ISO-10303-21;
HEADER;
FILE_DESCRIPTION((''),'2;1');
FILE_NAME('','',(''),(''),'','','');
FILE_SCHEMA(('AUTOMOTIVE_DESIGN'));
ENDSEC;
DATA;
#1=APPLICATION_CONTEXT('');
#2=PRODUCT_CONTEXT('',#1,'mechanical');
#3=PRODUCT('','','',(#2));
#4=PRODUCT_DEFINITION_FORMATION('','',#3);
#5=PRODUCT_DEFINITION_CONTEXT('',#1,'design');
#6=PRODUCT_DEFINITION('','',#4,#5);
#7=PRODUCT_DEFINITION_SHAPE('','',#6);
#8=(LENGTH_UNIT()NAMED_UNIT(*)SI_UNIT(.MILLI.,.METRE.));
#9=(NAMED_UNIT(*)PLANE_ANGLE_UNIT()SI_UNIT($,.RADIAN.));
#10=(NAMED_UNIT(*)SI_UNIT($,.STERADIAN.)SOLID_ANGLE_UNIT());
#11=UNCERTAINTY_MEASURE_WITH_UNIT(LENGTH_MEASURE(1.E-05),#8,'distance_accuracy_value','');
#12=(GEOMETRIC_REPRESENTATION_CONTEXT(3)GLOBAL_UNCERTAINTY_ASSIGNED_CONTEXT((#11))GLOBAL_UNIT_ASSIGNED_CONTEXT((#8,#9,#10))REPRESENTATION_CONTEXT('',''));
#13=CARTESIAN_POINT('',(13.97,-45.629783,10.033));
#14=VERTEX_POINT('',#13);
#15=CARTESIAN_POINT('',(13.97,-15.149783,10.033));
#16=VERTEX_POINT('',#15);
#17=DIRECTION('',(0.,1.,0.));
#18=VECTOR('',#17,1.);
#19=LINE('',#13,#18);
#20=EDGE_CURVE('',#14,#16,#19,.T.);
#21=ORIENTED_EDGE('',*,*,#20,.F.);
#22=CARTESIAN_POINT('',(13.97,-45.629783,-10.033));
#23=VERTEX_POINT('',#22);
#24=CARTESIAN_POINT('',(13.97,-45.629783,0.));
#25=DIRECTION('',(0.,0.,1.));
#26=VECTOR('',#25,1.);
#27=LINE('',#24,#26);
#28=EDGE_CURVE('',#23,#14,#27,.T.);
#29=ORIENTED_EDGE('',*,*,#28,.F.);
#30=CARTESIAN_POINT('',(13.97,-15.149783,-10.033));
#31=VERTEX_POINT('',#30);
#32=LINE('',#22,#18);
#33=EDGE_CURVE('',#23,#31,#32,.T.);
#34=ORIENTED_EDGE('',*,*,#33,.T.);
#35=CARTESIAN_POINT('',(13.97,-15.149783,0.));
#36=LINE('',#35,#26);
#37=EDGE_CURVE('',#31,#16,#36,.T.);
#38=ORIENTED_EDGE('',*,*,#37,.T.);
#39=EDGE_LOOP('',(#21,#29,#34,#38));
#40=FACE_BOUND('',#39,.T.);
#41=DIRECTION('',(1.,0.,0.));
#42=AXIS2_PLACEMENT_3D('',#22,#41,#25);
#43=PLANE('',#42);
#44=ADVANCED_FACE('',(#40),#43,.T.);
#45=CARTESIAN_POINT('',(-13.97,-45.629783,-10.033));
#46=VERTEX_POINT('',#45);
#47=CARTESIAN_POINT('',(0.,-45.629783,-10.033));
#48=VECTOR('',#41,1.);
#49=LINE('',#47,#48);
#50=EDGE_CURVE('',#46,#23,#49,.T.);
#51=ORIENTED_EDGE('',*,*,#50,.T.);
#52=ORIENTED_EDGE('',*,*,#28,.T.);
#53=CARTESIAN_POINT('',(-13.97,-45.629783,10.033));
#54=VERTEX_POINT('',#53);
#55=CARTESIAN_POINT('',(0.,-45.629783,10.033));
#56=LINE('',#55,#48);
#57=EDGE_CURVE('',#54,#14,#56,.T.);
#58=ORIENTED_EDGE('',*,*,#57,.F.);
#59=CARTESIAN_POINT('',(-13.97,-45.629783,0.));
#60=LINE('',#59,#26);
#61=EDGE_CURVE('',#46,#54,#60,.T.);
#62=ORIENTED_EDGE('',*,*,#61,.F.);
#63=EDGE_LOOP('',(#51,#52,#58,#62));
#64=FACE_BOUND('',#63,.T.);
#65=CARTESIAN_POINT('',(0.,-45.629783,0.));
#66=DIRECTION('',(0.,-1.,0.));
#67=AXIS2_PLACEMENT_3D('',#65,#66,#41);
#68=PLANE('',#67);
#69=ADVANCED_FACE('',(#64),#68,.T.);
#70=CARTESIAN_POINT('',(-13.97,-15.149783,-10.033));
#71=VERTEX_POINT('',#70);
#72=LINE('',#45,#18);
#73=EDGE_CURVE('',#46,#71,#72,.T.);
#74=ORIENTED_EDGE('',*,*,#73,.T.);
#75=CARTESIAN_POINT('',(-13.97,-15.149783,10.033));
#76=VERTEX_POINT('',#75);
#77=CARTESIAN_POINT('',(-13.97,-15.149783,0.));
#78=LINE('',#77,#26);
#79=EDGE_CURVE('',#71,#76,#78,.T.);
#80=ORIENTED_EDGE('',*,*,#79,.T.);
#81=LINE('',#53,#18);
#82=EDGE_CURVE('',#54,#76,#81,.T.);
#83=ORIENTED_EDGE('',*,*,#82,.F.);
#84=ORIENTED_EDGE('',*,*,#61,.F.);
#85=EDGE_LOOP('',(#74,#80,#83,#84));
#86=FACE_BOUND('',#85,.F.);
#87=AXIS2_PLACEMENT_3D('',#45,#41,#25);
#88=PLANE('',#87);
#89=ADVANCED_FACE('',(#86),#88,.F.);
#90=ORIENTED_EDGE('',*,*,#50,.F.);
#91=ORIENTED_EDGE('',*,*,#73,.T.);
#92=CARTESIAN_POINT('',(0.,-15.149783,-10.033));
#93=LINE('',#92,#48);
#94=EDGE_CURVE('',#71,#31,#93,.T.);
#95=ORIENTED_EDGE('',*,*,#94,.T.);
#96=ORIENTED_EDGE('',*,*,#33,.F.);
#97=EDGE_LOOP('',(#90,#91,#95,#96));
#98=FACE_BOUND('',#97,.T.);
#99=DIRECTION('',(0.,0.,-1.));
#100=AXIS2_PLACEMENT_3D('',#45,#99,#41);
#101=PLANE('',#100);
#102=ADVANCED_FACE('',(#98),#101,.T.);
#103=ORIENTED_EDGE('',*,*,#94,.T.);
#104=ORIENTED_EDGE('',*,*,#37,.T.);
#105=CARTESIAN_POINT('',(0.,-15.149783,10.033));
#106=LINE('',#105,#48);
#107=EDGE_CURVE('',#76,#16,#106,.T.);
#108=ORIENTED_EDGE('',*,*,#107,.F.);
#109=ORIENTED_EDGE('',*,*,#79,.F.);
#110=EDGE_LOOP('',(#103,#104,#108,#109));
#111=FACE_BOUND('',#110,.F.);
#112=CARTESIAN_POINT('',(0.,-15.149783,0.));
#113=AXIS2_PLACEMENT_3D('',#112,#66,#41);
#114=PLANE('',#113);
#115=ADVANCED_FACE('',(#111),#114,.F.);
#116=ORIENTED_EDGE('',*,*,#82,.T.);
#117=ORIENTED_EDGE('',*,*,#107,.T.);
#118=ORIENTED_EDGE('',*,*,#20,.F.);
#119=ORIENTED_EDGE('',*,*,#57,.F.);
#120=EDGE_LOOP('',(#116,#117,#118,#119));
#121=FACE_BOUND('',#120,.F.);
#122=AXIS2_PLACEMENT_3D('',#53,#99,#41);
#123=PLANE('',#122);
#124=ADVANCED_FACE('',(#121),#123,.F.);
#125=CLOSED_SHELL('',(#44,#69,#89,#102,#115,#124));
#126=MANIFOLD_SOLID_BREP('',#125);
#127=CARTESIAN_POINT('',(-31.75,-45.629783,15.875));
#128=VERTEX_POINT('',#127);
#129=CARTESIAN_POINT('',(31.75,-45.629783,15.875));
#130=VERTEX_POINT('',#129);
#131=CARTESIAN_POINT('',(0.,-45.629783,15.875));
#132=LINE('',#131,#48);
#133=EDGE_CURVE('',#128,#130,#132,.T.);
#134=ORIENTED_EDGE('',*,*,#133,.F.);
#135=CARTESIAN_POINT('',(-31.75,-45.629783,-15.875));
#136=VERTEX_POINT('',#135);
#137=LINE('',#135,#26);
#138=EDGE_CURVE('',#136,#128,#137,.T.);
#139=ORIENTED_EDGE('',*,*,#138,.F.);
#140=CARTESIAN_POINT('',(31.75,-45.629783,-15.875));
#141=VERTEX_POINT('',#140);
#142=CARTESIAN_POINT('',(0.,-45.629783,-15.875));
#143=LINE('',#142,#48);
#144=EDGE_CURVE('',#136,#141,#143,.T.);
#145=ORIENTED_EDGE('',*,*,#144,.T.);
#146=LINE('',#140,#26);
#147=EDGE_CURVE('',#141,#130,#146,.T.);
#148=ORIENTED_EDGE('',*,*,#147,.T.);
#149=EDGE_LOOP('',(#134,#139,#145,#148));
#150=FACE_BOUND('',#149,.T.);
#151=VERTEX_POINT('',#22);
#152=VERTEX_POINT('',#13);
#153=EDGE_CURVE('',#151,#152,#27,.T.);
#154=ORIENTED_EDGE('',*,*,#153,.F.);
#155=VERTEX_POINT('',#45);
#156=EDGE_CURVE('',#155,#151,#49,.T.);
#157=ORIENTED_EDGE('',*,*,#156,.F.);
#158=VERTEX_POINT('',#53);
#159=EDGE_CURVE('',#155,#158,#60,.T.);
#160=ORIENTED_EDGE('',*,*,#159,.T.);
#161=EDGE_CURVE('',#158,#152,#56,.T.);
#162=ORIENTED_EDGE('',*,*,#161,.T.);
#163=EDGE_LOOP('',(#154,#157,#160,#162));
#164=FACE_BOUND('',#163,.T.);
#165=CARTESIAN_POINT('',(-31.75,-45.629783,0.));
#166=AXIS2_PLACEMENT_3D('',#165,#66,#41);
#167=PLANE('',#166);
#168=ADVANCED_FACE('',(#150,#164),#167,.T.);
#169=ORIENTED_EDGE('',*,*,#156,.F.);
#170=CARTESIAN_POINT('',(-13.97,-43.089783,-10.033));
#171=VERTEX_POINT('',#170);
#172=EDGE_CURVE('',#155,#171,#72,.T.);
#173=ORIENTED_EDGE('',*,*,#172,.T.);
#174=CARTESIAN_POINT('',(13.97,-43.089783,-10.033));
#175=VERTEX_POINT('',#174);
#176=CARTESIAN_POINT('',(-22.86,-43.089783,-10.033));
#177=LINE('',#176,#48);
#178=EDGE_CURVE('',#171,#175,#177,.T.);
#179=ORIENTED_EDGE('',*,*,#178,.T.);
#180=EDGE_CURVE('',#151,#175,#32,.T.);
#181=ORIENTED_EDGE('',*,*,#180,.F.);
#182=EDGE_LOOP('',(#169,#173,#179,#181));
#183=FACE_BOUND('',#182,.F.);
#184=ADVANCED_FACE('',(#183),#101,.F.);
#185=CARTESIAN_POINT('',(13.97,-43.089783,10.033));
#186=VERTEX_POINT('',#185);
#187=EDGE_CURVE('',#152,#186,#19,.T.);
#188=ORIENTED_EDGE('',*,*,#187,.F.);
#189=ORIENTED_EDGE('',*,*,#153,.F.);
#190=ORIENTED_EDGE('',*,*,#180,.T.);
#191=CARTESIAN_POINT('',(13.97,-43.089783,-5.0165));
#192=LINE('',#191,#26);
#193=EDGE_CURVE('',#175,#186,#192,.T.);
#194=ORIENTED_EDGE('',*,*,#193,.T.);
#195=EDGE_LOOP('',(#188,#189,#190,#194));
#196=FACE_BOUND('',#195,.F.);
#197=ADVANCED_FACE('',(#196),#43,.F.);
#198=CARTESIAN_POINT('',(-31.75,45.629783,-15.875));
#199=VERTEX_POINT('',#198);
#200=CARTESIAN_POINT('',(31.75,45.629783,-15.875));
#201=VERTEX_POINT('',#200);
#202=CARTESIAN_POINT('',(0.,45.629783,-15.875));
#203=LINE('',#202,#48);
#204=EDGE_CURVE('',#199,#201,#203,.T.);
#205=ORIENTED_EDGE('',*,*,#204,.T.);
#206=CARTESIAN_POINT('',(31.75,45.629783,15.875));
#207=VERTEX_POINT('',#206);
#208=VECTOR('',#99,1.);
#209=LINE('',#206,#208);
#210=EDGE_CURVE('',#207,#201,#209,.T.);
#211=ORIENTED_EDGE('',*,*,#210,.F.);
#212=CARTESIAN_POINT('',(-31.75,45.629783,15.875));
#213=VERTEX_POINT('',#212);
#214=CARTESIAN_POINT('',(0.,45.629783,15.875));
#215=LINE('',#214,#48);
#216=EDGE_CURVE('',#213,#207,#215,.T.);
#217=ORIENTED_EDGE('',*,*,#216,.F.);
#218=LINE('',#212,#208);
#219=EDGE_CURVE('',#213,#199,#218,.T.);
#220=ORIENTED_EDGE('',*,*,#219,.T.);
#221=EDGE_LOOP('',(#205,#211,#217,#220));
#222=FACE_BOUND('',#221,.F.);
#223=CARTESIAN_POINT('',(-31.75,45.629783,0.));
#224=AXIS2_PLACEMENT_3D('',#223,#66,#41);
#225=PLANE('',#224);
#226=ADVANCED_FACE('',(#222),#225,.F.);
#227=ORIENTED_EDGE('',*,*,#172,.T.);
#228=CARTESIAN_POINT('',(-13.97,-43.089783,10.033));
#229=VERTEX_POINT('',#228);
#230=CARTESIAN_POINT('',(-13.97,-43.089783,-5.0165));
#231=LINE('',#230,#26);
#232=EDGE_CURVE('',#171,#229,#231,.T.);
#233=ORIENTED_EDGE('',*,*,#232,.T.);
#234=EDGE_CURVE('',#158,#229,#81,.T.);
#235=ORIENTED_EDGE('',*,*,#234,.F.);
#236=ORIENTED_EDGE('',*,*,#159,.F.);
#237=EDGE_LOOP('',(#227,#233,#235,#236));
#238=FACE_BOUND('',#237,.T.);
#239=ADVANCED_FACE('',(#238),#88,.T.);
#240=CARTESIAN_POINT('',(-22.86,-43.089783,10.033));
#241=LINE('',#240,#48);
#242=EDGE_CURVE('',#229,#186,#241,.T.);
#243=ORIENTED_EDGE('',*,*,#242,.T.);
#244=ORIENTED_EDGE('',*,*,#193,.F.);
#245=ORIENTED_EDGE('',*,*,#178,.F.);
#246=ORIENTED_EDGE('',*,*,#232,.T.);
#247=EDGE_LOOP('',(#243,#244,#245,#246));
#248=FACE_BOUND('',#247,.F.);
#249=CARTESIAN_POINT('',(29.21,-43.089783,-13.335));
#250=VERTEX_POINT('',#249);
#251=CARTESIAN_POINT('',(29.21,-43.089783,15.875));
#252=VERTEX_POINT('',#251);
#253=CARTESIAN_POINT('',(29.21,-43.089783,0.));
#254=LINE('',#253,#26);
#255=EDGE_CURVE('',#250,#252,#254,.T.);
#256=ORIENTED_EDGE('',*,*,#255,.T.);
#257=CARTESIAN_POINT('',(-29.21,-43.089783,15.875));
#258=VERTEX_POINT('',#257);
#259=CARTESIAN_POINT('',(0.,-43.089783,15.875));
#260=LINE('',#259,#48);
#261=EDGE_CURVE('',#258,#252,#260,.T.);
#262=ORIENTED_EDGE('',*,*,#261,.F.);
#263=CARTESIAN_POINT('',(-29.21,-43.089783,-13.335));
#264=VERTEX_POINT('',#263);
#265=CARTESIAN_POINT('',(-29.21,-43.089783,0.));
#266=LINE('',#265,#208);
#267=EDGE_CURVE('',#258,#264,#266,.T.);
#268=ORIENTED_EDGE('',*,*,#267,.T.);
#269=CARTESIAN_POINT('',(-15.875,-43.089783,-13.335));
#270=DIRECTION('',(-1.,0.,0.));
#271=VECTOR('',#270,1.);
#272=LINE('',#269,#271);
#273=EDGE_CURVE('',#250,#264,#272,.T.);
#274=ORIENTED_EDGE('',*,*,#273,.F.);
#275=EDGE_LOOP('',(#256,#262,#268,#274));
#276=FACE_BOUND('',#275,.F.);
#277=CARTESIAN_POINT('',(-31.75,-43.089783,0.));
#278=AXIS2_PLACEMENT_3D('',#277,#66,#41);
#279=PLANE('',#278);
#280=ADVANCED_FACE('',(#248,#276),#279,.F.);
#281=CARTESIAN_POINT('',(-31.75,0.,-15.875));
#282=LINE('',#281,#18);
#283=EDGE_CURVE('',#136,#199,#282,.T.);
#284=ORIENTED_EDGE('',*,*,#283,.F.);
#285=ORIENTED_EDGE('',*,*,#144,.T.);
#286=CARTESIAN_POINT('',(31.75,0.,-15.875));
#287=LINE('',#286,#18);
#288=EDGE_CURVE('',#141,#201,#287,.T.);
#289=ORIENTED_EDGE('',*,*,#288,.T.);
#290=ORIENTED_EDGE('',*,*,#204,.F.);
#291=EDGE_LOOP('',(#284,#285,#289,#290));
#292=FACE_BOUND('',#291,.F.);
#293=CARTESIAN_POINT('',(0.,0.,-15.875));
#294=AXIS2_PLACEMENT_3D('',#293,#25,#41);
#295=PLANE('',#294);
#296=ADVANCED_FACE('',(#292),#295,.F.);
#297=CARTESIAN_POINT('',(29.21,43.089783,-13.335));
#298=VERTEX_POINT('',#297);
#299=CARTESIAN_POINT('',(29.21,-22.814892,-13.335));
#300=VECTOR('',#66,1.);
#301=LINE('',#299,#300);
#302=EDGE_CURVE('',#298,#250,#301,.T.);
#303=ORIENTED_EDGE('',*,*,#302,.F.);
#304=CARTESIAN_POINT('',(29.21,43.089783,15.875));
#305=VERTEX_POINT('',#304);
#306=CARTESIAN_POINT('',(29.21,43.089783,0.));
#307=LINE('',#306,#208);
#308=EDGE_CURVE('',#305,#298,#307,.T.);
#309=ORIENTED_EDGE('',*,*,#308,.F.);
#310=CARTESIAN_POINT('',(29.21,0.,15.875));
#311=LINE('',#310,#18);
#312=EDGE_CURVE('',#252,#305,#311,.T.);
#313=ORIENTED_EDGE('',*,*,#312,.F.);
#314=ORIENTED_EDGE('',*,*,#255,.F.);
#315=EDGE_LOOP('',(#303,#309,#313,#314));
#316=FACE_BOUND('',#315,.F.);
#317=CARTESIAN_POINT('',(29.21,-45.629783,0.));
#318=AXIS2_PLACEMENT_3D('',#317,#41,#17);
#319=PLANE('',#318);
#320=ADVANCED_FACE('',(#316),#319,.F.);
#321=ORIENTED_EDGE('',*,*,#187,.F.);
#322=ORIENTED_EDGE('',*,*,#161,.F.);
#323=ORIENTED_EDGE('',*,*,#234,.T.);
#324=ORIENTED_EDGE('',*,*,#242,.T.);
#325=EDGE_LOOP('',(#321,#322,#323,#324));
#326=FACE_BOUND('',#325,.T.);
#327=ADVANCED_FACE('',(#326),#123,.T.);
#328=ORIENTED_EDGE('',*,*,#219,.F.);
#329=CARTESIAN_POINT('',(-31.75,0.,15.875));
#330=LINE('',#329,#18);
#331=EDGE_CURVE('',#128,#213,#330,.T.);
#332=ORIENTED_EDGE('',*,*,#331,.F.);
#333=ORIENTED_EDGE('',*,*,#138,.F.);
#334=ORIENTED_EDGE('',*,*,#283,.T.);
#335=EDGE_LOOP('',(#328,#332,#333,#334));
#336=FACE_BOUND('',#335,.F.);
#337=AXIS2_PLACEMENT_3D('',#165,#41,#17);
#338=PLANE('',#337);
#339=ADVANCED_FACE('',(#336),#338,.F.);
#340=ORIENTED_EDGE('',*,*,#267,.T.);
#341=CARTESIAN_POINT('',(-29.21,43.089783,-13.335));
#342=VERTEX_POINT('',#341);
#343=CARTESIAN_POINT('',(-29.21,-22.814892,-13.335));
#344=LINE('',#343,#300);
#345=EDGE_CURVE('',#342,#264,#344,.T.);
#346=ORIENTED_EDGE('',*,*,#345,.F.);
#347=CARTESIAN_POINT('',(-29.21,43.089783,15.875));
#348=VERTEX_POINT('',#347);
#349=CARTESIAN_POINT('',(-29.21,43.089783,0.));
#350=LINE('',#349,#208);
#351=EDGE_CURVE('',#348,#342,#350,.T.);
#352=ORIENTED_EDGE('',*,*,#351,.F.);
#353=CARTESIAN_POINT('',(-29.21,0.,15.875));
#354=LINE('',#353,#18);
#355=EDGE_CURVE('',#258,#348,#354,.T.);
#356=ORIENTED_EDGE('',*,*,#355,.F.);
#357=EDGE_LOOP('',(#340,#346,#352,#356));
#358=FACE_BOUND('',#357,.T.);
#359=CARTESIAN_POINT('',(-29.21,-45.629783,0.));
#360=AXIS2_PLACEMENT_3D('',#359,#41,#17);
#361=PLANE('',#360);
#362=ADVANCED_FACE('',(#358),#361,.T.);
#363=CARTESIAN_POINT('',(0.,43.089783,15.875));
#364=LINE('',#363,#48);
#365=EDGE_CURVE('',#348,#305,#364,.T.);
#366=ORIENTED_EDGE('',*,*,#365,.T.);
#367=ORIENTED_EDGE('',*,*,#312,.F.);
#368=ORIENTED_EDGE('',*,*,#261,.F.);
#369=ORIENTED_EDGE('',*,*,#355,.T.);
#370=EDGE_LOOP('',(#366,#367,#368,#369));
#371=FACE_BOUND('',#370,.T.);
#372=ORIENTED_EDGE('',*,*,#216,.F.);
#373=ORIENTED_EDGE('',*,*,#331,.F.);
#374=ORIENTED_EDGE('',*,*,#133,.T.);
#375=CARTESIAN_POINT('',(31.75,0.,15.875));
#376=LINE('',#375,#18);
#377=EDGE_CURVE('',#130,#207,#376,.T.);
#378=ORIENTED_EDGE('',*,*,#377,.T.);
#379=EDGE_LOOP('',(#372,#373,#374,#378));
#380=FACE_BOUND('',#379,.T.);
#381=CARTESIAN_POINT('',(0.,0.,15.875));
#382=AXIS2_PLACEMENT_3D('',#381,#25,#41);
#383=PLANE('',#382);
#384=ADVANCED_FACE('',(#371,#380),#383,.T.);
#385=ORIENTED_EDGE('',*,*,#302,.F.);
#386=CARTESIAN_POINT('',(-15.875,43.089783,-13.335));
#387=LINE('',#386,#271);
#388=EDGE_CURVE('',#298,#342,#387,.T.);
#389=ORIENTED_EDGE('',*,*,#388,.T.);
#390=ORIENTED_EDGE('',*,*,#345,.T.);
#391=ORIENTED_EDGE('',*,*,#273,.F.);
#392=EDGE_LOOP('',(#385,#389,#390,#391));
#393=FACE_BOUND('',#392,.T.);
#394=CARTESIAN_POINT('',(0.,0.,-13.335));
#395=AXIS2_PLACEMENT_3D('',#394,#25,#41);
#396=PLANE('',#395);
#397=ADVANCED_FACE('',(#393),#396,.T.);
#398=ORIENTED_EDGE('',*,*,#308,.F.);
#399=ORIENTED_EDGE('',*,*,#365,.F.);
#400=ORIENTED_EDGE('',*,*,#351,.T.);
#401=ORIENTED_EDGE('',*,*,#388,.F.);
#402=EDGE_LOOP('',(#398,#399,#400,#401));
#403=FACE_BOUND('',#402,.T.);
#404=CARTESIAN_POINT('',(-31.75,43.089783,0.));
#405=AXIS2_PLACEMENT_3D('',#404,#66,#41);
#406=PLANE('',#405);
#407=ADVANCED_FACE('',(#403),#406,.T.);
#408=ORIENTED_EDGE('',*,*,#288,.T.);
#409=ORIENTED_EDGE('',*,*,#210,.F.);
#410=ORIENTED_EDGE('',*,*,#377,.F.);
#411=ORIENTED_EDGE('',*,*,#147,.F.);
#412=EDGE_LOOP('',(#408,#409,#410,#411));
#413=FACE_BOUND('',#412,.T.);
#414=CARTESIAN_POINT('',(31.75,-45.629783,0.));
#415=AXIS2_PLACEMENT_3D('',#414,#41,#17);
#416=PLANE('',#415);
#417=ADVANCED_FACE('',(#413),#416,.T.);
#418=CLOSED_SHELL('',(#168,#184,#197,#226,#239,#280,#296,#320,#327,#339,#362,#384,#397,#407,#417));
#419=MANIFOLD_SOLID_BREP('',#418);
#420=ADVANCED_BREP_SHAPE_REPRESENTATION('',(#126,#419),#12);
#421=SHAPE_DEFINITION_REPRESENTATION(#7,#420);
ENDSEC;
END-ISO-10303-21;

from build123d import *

# Parameters (mm, degrees)
F0_W     = 63.5
F0_H     = 91.259566
F1_DEPTH = 15.875
F2_T     = -2.54
F3_W     = 27.94
F3_H     = 20.066
F4_DEPTH = 6.35
F5_W     = 27.94
F5_H     = 20.066
F6_DEPTH = 30.48


with BuildPart() as f1:
    # F0 (on Top) → F1 (new body, symmetric)
    with BuildSketch(Plane.XY):
        Rectangle(F0_W, F0_H)
    extrude(amount=F1_DEPTH, both=True)

    # F2
    f2_openings = [f1.faces().sort_by_distance(p)[0] for p in [
        (0, 0, 15.875),
    ]]
    offset(amount=F2_T, openings=f2_openings)

    # F3 (on face) → F4 (cut)
    with BuildSketch(Plane.XZ.offset(45.629783)):
        Rectangle(F3_W, F3_H)
    extrude(amount=-F4_DEPTH, mode=Mode.SUBTRACT)


with BuildPart() as f6:
    # F5 (on face) → F6 (new body)
    with BuildSketch(Plane.XZ.offset(45.629783)):
        Rectangle(F5_W, F5_H)
    extrude(amount=-F6_DEPTH)


solid = Compound([f1.part, f6.part])
